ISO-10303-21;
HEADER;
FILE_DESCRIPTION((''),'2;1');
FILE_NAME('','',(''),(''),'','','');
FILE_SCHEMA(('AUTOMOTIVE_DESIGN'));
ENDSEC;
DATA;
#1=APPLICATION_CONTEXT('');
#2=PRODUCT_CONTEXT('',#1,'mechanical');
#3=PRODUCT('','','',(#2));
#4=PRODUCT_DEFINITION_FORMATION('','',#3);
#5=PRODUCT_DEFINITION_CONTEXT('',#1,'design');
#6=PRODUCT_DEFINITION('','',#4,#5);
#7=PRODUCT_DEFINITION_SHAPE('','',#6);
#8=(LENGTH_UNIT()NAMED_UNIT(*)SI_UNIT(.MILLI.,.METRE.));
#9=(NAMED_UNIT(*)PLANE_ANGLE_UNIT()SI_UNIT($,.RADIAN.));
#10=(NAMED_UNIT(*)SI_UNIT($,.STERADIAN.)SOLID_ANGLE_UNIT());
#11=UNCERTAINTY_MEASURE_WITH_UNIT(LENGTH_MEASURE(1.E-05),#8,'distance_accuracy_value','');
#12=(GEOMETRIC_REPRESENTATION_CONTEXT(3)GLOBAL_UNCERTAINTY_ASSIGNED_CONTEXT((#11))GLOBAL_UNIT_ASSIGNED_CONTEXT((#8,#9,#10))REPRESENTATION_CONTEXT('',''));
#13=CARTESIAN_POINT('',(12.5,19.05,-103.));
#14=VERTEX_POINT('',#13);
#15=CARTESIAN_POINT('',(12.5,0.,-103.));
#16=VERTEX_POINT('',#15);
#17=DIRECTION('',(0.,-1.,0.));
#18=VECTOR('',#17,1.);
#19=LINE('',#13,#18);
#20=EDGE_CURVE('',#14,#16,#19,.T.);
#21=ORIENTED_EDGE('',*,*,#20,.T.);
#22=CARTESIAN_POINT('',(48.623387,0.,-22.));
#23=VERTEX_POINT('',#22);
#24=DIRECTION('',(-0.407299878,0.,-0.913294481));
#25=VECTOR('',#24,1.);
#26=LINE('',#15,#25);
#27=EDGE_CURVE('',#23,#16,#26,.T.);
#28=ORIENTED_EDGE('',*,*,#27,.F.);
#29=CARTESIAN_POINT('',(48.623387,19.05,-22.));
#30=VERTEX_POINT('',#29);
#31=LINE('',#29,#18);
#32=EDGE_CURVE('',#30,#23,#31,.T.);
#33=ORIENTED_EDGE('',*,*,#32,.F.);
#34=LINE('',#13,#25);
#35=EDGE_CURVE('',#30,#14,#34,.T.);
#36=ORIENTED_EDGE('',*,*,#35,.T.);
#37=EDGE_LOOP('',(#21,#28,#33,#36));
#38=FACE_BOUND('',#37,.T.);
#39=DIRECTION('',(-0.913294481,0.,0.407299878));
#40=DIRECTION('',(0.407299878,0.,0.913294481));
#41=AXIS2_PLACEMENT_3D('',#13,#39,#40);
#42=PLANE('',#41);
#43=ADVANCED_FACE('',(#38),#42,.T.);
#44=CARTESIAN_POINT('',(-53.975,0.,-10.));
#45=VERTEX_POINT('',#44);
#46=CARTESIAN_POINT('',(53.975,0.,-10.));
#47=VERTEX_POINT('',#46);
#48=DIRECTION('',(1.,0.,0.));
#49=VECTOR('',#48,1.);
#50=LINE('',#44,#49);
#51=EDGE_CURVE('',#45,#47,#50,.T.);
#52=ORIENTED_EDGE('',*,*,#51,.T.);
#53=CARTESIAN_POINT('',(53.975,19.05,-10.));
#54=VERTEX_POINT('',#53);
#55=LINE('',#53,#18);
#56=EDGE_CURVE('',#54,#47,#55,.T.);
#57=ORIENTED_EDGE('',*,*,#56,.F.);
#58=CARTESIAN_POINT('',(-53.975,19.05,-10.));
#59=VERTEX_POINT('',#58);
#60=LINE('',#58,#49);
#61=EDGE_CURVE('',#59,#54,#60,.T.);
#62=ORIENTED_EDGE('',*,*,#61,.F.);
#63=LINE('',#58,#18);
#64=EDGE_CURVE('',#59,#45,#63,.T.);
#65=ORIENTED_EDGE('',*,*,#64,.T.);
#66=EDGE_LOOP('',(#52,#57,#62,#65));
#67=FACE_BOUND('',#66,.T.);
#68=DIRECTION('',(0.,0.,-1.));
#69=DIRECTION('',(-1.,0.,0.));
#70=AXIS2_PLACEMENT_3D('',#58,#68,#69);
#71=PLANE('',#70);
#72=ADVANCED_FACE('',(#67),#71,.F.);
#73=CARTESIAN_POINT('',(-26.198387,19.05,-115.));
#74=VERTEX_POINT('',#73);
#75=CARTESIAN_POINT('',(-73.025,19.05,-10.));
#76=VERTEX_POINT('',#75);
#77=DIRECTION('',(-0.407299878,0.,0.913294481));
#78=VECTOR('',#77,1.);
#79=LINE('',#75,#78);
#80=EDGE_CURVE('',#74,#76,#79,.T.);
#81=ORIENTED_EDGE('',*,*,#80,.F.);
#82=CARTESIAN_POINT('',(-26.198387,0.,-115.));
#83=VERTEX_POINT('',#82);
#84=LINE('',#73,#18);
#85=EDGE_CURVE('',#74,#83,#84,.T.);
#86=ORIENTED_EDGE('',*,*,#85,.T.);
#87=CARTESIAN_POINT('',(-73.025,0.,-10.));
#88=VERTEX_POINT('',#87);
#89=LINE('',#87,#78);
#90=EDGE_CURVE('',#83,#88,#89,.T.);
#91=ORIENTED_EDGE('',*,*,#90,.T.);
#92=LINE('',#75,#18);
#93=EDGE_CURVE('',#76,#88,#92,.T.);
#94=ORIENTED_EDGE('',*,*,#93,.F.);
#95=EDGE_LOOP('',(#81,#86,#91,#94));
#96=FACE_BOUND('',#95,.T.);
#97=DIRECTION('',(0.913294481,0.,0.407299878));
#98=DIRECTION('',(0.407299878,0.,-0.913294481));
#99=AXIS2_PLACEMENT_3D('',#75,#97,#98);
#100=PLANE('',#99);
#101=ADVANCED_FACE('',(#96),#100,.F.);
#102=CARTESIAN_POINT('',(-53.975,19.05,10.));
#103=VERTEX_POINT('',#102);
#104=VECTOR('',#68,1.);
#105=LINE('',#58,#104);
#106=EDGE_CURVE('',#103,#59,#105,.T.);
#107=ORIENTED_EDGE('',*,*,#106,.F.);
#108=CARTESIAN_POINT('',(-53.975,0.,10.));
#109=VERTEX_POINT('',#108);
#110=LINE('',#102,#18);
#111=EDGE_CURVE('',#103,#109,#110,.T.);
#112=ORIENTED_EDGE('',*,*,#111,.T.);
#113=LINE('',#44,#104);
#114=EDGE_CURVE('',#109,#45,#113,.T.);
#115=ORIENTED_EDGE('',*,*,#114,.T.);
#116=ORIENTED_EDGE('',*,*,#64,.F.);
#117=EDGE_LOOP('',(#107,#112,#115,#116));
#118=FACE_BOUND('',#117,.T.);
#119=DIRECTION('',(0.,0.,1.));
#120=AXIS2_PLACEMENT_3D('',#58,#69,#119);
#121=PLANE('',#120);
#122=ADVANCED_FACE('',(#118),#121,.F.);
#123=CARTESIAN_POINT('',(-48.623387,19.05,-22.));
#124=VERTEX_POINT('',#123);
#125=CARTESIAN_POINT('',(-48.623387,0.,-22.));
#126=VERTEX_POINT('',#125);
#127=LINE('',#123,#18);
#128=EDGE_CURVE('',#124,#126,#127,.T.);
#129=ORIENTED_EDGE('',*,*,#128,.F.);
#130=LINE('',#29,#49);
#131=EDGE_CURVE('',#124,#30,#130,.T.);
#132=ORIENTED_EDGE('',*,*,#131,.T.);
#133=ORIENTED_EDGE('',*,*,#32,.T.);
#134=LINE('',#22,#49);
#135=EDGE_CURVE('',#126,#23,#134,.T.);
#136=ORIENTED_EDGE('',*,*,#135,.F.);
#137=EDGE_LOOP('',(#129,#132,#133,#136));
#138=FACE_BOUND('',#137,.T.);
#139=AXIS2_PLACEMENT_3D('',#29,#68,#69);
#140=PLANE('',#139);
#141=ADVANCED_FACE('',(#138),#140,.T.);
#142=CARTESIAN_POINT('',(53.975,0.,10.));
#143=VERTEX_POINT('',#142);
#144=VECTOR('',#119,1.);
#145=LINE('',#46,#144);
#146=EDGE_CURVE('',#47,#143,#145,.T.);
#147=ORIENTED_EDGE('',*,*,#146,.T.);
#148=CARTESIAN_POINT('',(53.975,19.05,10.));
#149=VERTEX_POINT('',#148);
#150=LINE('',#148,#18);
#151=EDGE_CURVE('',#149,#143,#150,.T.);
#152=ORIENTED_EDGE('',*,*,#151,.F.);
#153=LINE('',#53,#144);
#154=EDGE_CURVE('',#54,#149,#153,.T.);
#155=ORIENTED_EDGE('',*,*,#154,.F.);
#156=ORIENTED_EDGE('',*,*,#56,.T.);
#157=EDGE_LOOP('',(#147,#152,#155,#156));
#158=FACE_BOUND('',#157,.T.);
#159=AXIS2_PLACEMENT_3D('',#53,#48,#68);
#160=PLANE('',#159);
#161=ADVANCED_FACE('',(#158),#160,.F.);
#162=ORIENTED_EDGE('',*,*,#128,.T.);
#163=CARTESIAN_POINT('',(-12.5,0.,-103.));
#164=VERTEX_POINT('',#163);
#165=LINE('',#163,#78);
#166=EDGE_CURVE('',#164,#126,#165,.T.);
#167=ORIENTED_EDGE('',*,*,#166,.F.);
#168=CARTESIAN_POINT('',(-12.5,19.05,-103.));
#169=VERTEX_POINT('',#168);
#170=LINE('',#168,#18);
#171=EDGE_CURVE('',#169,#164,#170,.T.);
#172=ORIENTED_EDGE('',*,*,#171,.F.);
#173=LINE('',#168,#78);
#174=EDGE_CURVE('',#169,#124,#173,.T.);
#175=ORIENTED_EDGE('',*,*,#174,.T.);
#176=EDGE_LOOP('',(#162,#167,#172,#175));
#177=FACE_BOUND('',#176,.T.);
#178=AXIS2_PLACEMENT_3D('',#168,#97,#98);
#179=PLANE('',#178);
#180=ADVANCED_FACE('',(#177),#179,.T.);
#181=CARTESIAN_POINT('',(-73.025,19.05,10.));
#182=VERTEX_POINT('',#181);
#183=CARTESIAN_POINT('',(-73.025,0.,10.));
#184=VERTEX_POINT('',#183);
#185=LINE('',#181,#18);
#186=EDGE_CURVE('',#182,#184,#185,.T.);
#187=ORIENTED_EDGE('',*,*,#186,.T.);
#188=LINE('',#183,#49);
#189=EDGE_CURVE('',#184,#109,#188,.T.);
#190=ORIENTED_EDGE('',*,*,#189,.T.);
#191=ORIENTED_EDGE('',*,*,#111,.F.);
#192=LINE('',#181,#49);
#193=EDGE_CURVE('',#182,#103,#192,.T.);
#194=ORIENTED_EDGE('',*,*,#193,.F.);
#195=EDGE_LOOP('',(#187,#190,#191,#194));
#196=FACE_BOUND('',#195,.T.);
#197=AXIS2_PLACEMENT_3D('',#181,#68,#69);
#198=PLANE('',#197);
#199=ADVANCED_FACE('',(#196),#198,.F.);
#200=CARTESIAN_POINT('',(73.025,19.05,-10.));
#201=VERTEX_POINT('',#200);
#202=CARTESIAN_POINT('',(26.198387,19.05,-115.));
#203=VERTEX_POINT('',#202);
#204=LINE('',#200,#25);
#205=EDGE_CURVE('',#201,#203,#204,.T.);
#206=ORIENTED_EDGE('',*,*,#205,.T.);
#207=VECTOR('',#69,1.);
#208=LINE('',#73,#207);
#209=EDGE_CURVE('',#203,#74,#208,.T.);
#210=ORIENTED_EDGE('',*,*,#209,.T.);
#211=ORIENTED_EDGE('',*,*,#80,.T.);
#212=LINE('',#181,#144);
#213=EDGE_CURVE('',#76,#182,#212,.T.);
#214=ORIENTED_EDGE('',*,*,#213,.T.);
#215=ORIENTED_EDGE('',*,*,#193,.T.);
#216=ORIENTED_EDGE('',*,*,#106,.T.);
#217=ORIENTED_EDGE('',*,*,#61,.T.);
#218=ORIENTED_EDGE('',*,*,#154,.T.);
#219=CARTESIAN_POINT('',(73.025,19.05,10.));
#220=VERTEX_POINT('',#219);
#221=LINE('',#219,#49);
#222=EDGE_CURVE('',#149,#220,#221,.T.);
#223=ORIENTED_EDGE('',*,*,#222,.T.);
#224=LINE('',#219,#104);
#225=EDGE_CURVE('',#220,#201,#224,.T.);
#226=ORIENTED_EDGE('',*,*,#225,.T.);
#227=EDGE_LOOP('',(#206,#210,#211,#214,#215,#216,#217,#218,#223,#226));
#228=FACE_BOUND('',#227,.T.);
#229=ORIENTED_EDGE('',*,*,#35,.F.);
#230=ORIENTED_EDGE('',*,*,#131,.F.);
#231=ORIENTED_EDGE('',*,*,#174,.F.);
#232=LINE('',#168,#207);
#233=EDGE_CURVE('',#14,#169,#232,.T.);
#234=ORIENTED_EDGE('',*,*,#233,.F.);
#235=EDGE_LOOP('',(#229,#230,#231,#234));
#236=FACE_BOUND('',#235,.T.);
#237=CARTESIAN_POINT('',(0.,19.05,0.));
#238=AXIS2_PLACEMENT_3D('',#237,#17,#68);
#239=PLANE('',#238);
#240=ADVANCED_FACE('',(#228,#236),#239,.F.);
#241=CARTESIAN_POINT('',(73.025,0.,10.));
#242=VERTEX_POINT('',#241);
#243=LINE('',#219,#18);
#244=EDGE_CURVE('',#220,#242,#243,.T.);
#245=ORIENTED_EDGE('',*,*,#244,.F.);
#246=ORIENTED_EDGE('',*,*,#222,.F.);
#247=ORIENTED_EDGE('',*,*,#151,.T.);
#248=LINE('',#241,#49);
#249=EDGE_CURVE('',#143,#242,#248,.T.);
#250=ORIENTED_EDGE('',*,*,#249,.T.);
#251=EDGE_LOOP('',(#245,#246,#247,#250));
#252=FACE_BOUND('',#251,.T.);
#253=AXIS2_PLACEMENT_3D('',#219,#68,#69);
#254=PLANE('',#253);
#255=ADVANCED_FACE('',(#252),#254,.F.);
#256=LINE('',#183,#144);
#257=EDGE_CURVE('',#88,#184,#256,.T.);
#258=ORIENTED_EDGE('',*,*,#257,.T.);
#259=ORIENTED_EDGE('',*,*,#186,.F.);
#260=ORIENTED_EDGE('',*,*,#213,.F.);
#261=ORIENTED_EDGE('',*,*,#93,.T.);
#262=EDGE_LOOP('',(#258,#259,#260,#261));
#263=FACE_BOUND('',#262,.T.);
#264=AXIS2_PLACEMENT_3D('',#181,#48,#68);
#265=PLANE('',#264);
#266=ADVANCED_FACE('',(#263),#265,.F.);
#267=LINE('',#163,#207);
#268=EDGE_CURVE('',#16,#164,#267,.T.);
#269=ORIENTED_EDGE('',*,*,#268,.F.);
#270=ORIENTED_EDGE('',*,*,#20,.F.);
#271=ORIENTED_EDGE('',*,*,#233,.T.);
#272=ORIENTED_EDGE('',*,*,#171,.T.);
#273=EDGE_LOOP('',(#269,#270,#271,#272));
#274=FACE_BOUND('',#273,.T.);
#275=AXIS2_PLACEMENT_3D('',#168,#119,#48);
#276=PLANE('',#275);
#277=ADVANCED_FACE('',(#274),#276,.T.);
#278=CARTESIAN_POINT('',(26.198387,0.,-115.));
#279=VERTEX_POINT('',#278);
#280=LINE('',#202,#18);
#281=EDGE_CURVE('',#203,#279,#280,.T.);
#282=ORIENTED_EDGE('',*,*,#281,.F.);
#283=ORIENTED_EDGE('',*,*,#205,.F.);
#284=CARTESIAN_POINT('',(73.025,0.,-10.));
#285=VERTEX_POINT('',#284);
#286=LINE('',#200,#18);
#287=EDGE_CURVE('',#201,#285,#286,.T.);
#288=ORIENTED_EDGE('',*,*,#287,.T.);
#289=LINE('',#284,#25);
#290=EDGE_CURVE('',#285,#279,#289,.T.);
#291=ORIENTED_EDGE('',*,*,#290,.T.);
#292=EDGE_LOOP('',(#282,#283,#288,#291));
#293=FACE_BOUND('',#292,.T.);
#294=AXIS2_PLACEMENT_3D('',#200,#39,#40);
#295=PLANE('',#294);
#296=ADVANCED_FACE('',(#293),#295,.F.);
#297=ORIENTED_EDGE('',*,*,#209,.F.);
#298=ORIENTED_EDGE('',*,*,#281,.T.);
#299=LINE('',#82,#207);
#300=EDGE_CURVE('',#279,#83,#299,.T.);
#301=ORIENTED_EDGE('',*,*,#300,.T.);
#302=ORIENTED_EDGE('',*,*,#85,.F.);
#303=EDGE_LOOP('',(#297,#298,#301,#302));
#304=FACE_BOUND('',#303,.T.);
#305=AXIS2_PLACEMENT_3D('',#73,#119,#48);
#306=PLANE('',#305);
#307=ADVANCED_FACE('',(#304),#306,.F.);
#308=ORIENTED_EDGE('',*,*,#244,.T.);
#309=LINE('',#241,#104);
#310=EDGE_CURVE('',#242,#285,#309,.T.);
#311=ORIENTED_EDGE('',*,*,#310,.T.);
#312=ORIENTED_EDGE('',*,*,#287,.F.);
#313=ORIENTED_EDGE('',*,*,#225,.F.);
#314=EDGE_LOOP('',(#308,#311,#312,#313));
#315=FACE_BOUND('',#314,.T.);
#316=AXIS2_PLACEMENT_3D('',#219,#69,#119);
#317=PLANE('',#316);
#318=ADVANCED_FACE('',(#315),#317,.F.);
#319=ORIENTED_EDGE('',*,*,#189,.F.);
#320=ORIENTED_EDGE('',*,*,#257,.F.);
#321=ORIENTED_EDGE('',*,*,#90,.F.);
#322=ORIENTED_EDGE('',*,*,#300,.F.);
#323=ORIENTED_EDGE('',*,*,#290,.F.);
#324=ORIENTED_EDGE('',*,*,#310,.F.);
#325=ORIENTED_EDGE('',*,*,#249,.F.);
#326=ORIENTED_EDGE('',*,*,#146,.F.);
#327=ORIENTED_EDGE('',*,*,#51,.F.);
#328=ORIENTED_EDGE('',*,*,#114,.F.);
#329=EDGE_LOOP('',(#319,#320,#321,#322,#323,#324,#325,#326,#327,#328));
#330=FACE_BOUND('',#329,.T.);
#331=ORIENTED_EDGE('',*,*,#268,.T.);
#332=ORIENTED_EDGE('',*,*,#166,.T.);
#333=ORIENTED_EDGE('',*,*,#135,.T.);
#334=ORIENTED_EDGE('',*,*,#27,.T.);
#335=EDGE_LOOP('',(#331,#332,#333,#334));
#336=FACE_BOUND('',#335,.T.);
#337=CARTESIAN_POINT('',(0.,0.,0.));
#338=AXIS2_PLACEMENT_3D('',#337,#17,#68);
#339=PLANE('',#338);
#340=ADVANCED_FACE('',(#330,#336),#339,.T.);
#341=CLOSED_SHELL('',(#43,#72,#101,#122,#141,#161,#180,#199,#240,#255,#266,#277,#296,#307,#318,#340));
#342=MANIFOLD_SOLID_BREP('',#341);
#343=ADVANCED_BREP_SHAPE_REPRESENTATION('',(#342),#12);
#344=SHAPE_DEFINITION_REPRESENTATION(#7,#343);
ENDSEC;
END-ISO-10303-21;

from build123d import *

# Parameters (mm, degrees)
BOSS_EXTRUDE1_DEPTH = 19.05


with BuildPart() as part:
    # Sketch1 → Boss-Extrude1 (new body)
    with BuildSketch(Plane(origin=(0, 0, 0), x_dir=(1, 0, 0), z_dir=(0, 1, 0))):
        Polygon((-73.025, -10), (-53.975, -10), (-53.975, 10), (53.975, 10), (53.975, -10), (73.025, -10), (73.025, 10), (26.198387097, 115), (-26.198387097, 115), (-73.025, 10), align=None)
        Polygon((-12.5, 103), (12.5, 103), (48.623387097, 22), (-48.623387097, 22), align=None, mode=Mode.SUBTRACT)
    extrude(amount=BOSS_EXTRUDE1_DEPTH)


solid = part.part
